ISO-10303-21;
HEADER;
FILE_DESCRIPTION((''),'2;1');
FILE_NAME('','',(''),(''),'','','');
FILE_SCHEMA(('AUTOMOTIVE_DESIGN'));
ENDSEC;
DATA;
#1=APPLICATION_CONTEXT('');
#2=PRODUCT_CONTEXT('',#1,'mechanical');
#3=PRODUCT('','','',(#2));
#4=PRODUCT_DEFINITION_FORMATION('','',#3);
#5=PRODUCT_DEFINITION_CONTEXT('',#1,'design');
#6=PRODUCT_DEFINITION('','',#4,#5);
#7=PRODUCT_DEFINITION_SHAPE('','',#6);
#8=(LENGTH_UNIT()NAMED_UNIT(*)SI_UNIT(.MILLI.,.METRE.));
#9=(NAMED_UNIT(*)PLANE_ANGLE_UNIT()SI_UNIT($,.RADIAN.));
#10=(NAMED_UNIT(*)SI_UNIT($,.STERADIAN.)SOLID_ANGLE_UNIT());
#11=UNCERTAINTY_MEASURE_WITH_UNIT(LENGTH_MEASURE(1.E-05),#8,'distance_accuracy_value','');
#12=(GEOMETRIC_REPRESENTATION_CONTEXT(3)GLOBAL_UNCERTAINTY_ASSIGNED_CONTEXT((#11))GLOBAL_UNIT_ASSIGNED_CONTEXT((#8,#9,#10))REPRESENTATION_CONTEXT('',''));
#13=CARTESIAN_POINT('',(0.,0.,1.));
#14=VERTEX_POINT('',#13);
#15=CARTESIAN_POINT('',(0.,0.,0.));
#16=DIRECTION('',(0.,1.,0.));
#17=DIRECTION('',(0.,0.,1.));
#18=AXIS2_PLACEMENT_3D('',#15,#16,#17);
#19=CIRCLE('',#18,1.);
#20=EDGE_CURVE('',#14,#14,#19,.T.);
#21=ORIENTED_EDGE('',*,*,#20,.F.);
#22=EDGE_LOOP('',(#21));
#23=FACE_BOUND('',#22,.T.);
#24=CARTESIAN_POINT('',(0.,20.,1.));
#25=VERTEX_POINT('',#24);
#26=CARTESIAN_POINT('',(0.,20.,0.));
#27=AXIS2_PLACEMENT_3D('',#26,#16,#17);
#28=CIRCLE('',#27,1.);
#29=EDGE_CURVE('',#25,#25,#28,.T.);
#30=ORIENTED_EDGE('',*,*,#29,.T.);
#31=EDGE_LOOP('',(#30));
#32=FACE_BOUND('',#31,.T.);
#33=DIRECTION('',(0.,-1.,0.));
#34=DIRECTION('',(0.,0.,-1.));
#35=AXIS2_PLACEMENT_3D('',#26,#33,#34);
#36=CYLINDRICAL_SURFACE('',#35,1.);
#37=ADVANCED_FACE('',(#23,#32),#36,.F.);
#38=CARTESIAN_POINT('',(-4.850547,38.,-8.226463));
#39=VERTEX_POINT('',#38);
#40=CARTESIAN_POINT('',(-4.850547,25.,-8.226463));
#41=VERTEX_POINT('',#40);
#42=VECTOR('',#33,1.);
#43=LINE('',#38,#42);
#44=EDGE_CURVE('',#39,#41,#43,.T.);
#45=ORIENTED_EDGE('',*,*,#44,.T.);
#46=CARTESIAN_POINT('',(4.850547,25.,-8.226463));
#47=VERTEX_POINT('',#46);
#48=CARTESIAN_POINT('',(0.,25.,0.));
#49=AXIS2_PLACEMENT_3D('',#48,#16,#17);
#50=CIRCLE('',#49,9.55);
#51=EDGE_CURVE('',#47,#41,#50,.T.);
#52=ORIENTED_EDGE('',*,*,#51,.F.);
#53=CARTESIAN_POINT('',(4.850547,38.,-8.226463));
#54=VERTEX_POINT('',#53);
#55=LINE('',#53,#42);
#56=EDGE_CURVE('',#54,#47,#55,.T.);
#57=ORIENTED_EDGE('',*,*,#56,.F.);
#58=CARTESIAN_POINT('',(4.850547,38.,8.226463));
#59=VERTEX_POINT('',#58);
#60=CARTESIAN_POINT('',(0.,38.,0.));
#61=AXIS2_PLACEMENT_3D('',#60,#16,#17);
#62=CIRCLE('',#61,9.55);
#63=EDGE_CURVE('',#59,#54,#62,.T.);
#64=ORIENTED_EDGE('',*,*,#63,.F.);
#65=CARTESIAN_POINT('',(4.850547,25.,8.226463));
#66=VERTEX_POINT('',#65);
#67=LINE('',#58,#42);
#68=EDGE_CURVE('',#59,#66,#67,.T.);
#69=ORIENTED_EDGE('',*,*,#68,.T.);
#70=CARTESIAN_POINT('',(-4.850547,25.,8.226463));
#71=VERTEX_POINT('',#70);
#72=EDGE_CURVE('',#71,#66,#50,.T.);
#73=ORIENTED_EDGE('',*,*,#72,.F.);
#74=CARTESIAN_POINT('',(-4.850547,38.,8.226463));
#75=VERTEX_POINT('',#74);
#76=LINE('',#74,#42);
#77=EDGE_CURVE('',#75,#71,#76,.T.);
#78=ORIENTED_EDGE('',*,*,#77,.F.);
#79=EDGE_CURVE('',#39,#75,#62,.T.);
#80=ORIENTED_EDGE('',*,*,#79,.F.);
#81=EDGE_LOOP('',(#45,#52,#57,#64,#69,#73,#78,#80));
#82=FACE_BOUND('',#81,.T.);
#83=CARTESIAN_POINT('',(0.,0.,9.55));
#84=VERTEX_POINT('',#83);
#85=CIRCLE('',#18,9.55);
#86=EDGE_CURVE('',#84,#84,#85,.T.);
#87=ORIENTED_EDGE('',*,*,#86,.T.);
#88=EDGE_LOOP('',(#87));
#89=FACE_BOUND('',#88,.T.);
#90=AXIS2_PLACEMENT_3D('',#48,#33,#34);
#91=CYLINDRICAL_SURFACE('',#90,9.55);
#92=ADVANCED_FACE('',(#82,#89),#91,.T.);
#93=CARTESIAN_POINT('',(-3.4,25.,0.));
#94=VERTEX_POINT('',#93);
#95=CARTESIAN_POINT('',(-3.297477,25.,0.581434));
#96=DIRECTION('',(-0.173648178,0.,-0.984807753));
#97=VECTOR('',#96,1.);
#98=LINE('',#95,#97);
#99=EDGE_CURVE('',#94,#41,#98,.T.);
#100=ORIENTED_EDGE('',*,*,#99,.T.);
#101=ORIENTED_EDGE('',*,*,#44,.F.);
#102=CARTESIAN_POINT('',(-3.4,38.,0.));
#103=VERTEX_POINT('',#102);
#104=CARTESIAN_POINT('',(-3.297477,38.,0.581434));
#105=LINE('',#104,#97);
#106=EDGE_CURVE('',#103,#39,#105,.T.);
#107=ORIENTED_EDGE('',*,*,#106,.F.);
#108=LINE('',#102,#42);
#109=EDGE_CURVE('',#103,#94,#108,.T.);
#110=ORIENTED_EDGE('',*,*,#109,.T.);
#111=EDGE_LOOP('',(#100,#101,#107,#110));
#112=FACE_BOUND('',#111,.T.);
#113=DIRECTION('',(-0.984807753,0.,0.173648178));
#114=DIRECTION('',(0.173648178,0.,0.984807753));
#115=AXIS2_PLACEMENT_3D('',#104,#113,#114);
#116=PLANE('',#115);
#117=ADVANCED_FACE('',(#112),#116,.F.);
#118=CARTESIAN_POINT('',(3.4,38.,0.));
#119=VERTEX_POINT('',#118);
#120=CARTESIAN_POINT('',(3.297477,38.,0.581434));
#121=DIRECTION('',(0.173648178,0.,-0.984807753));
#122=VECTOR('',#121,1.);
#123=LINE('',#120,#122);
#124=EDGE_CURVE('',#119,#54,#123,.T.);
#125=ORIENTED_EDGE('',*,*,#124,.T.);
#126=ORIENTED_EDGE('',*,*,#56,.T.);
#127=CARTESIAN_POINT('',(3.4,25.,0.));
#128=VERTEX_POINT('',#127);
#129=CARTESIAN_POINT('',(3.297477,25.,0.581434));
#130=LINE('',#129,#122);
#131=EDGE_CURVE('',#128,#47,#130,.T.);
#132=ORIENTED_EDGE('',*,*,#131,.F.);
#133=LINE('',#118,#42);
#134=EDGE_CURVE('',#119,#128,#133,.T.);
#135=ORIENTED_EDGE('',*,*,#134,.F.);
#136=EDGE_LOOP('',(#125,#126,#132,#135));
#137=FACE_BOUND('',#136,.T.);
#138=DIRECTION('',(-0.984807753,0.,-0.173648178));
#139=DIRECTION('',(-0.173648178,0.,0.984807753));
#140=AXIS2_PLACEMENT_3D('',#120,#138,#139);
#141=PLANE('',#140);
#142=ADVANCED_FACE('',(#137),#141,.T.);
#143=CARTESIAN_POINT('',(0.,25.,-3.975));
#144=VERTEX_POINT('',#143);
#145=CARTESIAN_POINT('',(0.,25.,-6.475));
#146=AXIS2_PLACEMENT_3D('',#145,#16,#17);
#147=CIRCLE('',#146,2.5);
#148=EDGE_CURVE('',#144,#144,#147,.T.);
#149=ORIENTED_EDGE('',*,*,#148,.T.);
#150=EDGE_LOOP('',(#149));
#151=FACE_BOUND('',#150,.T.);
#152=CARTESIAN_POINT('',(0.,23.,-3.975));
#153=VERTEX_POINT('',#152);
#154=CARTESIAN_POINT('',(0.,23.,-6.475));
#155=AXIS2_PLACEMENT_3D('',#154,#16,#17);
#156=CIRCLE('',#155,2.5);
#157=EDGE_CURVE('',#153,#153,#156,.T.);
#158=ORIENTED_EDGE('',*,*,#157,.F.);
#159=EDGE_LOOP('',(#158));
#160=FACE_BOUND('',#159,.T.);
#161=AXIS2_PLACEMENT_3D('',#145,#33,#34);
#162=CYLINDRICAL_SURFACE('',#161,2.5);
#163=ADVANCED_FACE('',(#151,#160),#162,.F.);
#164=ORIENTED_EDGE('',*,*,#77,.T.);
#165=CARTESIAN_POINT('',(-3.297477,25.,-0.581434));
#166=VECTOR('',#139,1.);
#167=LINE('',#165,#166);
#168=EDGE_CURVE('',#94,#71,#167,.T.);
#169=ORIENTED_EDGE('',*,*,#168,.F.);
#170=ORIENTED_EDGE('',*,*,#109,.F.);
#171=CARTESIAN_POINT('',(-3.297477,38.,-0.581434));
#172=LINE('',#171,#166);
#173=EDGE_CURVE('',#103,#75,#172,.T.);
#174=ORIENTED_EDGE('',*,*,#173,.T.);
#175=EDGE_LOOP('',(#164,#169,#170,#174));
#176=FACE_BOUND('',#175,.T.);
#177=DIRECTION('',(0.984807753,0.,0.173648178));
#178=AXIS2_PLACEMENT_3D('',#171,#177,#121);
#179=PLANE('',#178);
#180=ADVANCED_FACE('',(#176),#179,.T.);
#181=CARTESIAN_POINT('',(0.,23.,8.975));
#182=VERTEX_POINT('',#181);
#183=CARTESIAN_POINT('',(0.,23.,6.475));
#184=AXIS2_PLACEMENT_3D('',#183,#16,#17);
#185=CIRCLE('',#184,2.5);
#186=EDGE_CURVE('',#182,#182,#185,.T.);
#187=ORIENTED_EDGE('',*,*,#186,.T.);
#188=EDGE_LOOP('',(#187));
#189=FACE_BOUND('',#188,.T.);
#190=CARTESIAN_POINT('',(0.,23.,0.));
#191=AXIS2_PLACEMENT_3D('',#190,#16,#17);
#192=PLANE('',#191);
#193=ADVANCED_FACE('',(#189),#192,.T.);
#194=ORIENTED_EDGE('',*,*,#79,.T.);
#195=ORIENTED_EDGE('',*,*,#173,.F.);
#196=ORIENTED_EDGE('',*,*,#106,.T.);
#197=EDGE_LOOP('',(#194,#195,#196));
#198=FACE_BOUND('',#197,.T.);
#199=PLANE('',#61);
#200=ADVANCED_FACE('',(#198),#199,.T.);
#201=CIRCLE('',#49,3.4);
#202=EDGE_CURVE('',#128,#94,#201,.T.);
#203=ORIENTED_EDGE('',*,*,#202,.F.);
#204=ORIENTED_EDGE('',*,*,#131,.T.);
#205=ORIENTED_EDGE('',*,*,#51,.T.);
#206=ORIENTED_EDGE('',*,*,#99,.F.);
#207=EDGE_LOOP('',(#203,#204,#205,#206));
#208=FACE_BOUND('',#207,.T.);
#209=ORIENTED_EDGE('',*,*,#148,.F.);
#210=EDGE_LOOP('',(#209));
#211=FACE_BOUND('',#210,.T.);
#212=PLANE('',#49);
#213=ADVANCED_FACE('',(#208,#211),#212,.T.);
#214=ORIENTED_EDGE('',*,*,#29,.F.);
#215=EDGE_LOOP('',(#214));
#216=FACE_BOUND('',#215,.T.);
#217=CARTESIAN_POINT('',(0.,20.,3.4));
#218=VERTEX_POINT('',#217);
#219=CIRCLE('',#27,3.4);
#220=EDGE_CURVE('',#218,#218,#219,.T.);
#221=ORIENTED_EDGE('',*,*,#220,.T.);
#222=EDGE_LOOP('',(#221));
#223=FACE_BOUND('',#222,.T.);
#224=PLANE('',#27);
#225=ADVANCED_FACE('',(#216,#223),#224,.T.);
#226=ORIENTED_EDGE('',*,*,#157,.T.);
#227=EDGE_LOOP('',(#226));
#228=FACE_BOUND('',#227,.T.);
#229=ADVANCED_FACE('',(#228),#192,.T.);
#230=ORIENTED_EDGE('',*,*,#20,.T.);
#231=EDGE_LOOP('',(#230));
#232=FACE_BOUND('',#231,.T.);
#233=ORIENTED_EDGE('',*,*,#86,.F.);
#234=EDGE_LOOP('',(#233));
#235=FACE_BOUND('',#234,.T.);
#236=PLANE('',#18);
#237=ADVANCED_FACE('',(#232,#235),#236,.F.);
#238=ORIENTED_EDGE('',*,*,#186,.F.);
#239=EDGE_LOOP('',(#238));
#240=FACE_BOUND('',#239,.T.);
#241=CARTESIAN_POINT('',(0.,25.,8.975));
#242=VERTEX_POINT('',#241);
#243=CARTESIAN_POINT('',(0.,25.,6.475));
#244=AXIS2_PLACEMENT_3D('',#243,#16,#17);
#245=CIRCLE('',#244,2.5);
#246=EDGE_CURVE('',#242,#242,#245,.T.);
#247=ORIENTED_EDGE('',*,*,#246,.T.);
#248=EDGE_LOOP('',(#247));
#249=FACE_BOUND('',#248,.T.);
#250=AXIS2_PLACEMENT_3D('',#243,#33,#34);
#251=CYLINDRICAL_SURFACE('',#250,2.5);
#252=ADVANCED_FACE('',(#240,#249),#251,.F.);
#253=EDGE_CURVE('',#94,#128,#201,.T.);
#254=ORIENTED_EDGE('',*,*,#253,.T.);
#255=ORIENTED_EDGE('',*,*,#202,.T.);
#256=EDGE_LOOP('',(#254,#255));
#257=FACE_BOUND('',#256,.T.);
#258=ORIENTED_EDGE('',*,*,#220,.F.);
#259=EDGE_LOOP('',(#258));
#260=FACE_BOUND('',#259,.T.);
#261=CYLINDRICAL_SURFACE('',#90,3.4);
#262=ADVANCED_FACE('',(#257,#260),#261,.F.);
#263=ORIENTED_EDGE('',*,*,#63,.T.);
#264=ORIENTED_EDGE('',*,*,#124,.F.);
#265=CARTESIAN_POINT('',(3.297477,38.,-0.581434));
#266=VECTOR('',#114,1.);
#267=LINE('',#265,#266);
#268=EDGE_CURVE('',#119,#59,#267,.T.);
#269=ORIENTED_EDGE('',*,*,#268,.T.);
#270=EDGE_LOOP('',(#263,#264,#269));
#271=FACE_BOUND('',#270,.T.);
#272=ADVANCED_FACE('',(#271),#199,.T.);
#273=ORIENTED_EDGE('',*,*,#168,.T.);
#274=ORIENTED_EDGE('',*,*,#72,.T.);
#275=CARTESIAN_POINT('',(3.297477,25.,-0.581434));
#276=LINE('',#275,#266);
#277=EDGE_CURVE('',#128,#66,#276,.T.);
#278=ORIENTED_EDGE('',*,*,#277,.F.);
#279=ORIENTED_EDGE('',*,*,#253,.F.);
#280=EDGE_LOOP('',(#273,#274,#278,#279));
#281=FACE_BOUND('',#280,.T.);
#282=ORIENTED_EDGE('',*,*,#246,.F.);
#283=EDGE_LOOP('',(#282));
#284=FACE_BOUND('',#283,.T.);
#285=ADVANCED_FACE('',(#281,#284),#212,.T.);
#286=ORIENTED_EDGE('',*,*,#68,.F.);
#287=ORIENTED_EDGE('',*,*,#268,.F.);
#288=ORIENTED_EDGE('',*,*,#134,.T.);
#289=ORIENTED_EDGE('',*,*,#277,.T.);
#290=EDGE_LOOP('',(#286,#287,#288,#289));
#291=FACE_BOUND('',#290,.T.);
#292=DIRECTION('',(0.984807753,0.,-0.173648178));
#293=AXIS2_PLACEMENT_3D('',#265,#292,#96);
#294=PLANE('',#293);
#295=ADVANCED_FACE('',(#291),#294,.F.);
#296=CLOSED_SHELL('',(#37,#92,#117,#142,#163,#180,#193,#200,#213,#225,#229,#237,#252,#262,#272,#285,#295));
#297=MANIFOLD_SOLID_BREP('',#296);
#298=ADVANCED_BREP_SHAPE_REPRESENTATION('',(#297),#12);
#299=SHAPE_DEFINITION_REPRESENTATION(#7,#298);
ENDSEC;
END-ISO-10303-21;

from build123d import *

# Parameters (mm, degrees)
SKETCH1_R             = 2.5
BOSS_EXTRUDE1_DEPTH   = 25
BOSS_EXTRUDE1_2_DEPTH = 25
BOSS_EXTRUDE2_DEPTH   = 38
SKETCH1_4_R           = 2.5
BOSS_EXTRUDE3_DEPTH   = 23
SKETCH1_5_R           = 3.4
SKETCH1_5_R_2         = 1
BOSS_EXTRUDE4_DEPTH   = 20


with BuildPart() as part:
    # Sketch1 → Boss-Extrude1 (new body)
    with BuildSketch(Plane(origin=(0, 0, 0), x_dir=(1, 0, 0), z_dir=(0, 1, 0))):
        with BuildLine():
            ThreePointArc((-3.4, 0), (0, 3.4), (3.4, 0))
            Line((3.4, 0), (4.85054735, 8.226462813))
            ThreePointArc((4.85054735, 8.226462813), (0, 9.55), (-4.85054735, 8.226462813))
            Line((-4.85054735, 8.226462813), (-3.4, 0))
        make_face()
        with Locations(Location((0, 6.475, 0), (0, 0, 270))):
            Circle(SKETCH1_R, mode=Mode.SUBTRACT)
    extrude(amount=BOSS_EXTRUDE1_DEPTH)



with BuildPart() as body_2:
    # Sketch1 → Boss-Extrude1 2 (new body)
    with BuildSketch(Plane(origin=(0, 0, 0), x_dir=(1, 0, 0), z_dir=(0, 1, 0))):
        with BuildLine():
            Line((4.85054735, -8.226462813), (3.4, 0))
            ThreePointArc((3.4, 0), (0, -3.4), (-3.4, 0))
            Line((-3.4, 0), (-4.85054735, -8.226462813))
            ThreePointArc((-4.85054735, -8.226462813), (0, -9.55), (4.85054735, -8.226462813))
        make_face()
        with Locations(Location((0, -6.475, 0), (0, 0, 270))):
            Circle(SKETCH1_R, mode=Mode.SUBTRACT)
    extrude(amount=BOSS_EXTRUDE1_2_DEPTH)


with BuildPart() as part_1:
    add(part.part)

    add(body_2.part)  # Boss-Extrude2 merges body 2
    # Sketch1<3> → Boss-Extrude2 (add)
    with BuildSketch(Plane(origin=(0, 0, 0), x_dir=(1, 0, 0), z_dir=(0, 1, 0))):
        with BuildLine():
            Line((4.85054735, 8.226462813), (3.4, 0))
            Line((3.4, 0), (4.85054735, -8.226462813))
            ThreePointArc((4.85054735, -8.226462813), (8.292322569, -4.737075723), (9.55, 0))
            ThreePointArc((9.55, 0), (8.292322569, 4.737075723), (4.85054735, 8.226462813))
        make_face()
        with BuildLine():
            Line((-4.85054735, -8.226462813), (-3.4, 0))
            Line((-3.4, 0), (-4.85054735, 8.226462813))
            ThreePointArc((-4.85054735, 8.226462813), (-9.55, 0), (-4.85054735, -8.226462813))
        make_face()
    extrude(amount=BOSS_EXTRUDE2_DEPTH)

    # Sketch1<4> → Boss-Extrude3 (add)
    with BuildSketch(Plane(origin=(0, 0, 0), x_dir=(1, 0, 0), z_dir=(0, 1, 0))):
        with Locations(Location((0, -6.475, 0), (0, 0, 270))):
            Circle(SKETCH1_4_R)
        with Locations(Location((0, 6.475, 0), (0, 0, 270))):
            Circle(SKETCH1_4_R)
    extrude(amount=BOSS_EXTRUDE3_DEPTH)

    # Sketch1<5> → Boss-Extrude4 (add)
    with BuildSketch(Plane(origin=(0, 0, 0), x_dir=(1, 0, 0), z_dir=(0, 1, 0))):
        Circle(SKETCH1_5_R)
        with Locations(Location((0, 0, 0), (0, 0, 270))):
            Circle(SKETCH1_5_R_2, mode=Mode.SUBTRACT)
    extrude(amount=BOSS_EXTRUDE4_DEPTH)


solid = part_1.part
